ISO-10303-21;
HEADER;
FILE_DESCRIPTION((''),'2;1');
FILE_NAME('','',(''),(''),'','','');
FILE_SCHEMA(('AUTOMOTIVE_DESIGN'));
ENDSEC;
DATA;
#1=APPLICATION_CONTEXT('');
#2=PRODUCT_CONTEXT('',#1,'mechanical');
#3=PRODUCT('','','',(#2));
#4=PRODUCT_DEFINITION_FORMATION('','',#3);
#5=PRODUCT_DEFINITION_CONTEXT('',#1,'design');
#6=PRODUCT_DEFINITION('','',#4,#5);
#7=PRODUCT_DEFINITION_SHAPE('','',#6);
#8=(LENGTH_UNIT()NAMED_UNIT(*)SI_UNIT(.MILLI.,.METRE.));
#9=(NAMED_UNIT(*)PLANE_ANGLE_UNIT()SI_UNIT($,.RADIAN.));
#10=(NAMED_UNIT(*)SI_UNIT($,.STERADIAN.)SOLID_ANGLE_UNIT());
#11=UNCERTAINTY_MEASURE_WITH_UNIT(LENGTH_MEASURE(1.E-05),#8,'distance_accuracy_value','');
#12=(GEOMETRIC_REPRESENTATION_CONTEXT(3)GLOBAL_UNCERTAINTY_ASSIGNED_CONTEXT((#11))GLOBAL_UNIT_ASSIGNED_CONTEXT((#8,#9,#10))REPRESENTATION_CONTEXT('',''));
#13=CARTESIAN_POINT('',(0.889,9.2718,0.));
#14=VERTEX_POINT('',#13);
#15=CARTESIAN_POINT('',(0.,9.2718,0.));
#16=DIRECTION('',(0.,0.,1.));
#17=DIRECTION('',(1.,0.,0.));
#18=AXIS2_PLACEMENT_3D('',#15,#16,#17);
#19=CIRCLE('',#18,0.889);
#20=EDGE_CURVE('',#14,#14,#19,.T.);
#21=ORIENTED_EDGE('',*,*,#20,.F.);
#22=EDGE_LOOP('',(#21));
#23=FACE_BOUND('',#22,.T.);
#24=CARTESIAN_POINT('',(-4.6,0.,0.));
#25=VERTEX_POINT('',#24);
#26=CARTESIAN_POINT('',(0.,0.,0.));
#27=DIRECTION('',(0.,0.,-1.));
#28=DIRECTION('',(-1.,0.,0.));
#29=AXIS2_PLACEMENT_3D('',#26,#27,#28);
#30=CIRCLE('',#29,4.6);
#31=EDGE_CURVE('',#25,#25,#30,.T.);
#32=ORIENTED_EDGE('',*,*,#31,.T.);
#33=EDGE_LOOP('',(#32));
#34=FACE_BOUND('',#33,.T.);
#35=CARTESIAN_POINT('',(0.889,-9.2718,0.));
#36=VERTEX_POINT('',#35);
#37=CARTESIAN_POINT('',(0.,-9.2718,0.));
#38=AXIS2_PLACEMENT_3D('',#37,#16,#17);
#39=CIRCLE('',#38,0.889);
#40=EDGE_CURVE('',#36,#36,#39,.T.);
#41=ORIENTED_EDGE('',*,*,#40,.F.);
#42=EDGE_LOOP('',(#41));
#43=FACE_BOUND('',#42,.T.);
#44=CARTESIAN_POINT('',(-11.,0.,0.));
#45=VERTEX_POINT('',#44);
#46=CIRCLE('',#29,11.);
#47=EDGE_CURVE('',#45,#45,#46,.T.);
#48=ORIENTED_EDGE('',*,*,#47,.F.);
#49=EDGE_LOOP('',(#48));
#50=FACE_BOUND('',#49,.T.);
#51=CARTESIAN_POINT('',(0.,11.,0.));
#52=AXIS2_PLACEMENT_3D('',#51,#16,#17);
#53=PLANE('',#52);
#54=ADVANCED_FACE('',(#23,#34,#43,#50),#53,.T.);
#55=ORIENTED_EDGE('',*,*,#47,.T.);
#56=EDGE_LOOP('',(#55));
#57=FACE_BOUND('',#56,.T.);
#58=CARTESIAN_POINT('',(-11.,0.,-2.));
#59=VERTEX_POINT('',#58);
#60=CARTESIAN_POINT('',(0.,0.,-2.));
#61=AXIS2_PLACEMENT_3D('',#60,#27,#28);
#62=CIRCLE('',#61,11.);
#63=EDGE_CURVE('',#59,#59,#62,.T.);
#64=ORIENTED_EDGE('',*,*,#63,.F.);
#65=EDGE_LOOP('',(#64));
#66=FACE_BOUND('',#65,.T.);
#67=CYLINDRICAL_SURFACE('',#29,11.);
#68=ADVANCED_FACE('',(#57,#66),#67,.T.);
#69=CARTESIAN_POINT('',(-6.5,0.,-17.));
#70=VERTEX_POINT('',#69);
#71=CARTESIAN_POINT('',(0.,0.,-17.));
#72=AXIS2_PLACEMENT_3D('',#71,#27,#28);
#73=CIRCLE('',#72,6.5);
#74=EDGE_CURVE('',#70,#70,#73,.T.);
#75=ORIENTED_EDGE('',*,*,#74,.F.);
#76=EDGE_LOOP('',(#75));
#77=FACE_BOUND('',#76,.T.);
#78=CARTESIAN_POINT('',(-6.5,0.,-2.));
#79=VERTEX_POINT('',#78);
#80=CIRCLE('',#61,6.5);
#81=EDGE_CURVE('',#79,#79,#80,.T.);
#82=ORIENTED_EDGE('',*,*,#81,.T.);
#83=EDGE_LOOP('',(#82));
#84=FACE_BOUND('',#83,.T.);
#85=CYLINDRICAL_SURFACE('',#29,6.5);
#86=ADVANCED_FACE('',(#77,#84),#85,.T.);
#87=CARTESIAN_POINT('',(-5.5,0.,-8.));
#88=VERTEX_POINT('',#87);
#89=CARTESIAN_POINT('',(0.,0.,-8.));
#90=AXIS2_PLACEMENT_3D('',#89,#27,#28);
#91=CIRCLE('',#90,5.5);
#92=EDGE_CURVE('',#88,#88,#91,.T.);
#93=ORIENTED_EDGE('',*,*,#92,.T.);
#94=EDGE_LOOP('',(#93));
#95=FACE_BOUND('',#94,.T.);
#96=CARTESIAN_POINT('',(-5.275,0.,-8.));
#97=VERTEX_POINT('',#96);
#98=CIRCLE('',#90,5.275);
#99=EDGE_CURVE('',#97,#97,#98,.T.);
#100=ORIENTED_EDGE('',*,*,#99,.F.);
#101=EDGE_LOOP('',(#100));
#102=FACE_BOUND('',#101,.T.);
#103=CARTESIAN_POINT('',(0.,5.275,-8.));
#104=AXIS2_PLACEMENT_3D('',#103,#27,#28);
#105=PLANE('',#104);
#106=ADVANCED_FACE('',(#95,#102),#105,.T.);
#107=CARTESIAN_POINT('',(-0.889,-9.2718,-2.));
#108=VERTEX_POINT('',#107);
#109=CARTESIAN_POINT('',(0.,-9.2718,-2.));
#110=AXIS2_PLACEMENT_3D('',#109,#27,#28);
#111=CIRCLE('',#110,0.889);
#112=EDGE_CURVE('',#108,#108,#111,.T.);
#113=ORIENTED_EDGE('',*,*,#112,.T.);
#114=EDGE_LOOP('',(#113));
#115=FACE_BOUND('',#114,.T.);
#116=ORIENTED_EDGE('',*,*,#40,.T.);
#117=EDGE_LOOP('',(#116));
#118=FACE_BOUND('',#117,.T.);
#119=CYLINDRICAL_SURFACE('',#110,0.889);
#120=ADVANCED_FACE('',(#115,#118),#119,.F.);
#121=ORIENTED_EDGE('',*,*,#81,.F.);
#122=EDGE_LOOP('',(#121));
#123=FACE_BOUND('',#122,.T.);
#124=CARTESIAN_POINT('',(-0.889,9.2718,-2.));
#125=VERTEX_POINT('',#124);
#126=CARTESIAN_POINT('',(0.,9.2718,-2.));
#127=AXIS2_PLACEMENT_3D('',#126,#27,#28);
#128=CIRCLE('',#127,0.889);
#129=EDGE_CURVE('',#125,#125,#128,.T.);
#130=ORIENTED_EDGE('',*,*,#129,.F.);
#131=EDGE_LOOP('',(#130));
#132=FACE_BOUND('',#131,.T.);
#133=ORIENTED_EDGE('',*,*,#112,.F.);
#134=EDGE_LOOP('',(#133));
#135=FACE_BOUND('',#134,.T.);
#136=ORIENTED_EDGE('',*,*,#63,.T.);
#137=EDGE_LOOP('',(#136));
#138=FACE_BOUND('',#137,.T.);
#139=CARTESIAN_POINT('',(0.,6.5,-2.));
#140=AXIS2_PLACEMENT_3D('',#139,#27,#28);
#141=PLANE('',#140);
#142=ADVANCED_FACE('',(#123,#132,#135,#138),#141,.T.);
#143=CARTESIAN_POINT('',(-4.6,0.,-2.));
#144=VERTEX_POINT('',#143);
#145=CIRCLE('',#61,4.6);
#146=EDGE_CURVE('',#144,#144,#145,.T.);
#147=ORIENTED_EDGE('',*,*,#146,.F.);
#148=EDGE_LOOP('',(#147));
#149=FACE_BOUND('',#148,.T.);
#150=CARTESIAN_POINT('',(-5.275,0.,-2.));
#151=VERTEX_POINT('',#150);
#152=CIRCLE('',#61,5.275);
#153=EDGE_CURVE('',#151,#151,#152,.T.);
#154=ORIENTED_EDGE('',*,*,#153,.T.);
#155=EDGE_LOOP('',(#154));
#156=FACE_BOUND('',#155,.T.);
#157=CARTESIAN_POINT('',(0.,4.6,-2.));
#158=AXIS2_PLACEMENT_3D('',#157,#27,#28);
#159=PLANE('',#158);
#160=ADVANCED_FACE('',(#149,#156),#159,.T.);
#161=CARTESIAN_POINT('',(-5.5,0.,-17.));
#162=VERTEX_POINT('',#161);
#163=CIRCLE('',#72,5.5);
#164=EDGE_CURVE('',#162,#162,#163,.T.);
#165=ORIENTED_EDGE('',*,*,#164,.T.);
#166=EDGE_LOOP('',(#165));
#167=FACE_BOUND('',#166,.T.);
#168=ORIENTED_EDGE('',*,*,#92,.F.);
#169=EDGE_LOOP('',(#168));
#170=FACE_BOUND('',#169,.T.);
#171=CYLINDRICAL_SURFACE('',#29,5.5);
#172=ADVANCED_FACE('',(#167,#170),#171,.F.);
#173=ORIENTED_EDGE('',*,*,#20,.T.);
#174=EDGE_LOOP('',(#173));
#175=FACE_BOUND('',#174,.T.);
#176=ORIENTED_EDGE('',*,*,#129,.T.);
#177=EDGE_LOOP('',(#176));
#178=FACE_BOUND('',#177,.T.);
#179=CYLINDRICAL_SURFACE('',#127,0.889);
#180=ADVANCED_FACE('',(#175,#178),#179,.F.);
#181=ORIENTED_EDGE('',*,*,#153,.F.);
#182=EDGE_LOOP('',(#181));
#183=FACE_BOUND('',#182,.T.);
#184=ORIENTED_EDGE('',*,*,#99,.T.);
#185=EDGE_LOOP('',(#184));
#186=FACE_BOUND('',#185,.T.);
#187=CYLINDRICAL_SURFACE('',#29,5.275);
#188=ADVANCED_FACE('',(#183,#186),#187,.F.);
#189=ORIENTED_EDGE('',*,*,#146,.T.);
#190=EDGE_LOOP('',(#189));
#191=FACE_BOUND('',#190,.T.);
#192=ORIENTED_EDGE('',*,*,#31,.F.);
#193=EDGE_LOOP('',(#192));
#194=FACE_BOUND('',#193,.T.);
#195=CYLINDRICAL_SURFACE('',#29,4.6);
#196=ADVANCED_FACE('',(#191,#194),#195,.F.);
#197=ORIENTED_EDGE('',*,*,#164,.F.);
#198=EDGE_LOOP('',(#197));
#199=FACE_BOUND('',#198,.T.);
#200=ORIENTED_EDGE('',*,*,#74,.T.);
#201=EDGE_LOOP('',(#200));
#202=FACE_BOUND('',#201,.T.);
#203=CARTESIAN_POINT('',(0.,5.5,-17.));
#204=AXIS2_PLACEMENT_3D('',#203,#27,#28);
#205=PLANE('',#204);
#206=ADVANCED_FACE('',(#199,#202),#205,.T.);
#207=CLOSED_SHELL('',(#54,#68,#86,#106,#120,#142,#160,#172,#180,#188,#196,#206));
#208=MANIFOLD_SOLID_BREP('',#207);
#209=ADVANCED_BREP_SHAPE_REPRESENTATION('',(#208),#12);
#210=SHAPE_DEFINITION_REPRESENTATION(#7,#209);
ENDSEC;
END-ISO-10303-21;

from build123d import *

# Parameters (mm, degrees)
F_0_CLEARANCE_HOLE1_D     = 1.778
F_0_CLEARANCE_HOLE1_DEPTH = 19.05
F_0_CLEARANCE_HOLE1_TIP   = 0.53416509


with BuildPart() as part:
    # Sketch1 → Revolve1 (revolve)
    with BuildSketch(Plane(origin=(0, 0, 0), x_dir=(0, 0, -1), z_dir=(1, 0, 0)), mode=Mode.PRIVATE) as revolve1_sk:
        Polygon((0, 11), (0, 4.6), (2, 4.6), (2, 5.275), (8, 5.275), (8, 5.5), (17, 5.5), (17, 6.5), (2, 6.5), (2, 11), align=None)
    revolve(revolve1_sk.sketch.rotate(Axis((0, 0, 0), (0, 0, 1)), 90), axis=Axis((0, 0, 0), (0, 0, 1)))  # turned: the seam where the file's is

    # #0 Clearance Hole1
    with Locations(Plane(origin=(0, 0, -2), x_dir=(-1, 0, 0), z_dir=(0, 0, -1))):
        with Locations((0, 9.2718), (0, -9.2718)):
            Hole(F_0_CLEARANCE_HOLE1_D / 2, depth=F_0_CLEARANCE_HOLE1_DEPTH)
            with Locations((0, 0, -(F_0_CLEARANCE_HOLE1_DEPTH + F_0_CLEARANCE_HOLE1_TIP / 2))):  # 118° drill point
                Cone(0, F_0_CLEARANCE_HOLE1_D / 2, F_0_CLEARANCE_HOLE1_TIP, mode=Mode.SUBTRACT)


solid = part.part
